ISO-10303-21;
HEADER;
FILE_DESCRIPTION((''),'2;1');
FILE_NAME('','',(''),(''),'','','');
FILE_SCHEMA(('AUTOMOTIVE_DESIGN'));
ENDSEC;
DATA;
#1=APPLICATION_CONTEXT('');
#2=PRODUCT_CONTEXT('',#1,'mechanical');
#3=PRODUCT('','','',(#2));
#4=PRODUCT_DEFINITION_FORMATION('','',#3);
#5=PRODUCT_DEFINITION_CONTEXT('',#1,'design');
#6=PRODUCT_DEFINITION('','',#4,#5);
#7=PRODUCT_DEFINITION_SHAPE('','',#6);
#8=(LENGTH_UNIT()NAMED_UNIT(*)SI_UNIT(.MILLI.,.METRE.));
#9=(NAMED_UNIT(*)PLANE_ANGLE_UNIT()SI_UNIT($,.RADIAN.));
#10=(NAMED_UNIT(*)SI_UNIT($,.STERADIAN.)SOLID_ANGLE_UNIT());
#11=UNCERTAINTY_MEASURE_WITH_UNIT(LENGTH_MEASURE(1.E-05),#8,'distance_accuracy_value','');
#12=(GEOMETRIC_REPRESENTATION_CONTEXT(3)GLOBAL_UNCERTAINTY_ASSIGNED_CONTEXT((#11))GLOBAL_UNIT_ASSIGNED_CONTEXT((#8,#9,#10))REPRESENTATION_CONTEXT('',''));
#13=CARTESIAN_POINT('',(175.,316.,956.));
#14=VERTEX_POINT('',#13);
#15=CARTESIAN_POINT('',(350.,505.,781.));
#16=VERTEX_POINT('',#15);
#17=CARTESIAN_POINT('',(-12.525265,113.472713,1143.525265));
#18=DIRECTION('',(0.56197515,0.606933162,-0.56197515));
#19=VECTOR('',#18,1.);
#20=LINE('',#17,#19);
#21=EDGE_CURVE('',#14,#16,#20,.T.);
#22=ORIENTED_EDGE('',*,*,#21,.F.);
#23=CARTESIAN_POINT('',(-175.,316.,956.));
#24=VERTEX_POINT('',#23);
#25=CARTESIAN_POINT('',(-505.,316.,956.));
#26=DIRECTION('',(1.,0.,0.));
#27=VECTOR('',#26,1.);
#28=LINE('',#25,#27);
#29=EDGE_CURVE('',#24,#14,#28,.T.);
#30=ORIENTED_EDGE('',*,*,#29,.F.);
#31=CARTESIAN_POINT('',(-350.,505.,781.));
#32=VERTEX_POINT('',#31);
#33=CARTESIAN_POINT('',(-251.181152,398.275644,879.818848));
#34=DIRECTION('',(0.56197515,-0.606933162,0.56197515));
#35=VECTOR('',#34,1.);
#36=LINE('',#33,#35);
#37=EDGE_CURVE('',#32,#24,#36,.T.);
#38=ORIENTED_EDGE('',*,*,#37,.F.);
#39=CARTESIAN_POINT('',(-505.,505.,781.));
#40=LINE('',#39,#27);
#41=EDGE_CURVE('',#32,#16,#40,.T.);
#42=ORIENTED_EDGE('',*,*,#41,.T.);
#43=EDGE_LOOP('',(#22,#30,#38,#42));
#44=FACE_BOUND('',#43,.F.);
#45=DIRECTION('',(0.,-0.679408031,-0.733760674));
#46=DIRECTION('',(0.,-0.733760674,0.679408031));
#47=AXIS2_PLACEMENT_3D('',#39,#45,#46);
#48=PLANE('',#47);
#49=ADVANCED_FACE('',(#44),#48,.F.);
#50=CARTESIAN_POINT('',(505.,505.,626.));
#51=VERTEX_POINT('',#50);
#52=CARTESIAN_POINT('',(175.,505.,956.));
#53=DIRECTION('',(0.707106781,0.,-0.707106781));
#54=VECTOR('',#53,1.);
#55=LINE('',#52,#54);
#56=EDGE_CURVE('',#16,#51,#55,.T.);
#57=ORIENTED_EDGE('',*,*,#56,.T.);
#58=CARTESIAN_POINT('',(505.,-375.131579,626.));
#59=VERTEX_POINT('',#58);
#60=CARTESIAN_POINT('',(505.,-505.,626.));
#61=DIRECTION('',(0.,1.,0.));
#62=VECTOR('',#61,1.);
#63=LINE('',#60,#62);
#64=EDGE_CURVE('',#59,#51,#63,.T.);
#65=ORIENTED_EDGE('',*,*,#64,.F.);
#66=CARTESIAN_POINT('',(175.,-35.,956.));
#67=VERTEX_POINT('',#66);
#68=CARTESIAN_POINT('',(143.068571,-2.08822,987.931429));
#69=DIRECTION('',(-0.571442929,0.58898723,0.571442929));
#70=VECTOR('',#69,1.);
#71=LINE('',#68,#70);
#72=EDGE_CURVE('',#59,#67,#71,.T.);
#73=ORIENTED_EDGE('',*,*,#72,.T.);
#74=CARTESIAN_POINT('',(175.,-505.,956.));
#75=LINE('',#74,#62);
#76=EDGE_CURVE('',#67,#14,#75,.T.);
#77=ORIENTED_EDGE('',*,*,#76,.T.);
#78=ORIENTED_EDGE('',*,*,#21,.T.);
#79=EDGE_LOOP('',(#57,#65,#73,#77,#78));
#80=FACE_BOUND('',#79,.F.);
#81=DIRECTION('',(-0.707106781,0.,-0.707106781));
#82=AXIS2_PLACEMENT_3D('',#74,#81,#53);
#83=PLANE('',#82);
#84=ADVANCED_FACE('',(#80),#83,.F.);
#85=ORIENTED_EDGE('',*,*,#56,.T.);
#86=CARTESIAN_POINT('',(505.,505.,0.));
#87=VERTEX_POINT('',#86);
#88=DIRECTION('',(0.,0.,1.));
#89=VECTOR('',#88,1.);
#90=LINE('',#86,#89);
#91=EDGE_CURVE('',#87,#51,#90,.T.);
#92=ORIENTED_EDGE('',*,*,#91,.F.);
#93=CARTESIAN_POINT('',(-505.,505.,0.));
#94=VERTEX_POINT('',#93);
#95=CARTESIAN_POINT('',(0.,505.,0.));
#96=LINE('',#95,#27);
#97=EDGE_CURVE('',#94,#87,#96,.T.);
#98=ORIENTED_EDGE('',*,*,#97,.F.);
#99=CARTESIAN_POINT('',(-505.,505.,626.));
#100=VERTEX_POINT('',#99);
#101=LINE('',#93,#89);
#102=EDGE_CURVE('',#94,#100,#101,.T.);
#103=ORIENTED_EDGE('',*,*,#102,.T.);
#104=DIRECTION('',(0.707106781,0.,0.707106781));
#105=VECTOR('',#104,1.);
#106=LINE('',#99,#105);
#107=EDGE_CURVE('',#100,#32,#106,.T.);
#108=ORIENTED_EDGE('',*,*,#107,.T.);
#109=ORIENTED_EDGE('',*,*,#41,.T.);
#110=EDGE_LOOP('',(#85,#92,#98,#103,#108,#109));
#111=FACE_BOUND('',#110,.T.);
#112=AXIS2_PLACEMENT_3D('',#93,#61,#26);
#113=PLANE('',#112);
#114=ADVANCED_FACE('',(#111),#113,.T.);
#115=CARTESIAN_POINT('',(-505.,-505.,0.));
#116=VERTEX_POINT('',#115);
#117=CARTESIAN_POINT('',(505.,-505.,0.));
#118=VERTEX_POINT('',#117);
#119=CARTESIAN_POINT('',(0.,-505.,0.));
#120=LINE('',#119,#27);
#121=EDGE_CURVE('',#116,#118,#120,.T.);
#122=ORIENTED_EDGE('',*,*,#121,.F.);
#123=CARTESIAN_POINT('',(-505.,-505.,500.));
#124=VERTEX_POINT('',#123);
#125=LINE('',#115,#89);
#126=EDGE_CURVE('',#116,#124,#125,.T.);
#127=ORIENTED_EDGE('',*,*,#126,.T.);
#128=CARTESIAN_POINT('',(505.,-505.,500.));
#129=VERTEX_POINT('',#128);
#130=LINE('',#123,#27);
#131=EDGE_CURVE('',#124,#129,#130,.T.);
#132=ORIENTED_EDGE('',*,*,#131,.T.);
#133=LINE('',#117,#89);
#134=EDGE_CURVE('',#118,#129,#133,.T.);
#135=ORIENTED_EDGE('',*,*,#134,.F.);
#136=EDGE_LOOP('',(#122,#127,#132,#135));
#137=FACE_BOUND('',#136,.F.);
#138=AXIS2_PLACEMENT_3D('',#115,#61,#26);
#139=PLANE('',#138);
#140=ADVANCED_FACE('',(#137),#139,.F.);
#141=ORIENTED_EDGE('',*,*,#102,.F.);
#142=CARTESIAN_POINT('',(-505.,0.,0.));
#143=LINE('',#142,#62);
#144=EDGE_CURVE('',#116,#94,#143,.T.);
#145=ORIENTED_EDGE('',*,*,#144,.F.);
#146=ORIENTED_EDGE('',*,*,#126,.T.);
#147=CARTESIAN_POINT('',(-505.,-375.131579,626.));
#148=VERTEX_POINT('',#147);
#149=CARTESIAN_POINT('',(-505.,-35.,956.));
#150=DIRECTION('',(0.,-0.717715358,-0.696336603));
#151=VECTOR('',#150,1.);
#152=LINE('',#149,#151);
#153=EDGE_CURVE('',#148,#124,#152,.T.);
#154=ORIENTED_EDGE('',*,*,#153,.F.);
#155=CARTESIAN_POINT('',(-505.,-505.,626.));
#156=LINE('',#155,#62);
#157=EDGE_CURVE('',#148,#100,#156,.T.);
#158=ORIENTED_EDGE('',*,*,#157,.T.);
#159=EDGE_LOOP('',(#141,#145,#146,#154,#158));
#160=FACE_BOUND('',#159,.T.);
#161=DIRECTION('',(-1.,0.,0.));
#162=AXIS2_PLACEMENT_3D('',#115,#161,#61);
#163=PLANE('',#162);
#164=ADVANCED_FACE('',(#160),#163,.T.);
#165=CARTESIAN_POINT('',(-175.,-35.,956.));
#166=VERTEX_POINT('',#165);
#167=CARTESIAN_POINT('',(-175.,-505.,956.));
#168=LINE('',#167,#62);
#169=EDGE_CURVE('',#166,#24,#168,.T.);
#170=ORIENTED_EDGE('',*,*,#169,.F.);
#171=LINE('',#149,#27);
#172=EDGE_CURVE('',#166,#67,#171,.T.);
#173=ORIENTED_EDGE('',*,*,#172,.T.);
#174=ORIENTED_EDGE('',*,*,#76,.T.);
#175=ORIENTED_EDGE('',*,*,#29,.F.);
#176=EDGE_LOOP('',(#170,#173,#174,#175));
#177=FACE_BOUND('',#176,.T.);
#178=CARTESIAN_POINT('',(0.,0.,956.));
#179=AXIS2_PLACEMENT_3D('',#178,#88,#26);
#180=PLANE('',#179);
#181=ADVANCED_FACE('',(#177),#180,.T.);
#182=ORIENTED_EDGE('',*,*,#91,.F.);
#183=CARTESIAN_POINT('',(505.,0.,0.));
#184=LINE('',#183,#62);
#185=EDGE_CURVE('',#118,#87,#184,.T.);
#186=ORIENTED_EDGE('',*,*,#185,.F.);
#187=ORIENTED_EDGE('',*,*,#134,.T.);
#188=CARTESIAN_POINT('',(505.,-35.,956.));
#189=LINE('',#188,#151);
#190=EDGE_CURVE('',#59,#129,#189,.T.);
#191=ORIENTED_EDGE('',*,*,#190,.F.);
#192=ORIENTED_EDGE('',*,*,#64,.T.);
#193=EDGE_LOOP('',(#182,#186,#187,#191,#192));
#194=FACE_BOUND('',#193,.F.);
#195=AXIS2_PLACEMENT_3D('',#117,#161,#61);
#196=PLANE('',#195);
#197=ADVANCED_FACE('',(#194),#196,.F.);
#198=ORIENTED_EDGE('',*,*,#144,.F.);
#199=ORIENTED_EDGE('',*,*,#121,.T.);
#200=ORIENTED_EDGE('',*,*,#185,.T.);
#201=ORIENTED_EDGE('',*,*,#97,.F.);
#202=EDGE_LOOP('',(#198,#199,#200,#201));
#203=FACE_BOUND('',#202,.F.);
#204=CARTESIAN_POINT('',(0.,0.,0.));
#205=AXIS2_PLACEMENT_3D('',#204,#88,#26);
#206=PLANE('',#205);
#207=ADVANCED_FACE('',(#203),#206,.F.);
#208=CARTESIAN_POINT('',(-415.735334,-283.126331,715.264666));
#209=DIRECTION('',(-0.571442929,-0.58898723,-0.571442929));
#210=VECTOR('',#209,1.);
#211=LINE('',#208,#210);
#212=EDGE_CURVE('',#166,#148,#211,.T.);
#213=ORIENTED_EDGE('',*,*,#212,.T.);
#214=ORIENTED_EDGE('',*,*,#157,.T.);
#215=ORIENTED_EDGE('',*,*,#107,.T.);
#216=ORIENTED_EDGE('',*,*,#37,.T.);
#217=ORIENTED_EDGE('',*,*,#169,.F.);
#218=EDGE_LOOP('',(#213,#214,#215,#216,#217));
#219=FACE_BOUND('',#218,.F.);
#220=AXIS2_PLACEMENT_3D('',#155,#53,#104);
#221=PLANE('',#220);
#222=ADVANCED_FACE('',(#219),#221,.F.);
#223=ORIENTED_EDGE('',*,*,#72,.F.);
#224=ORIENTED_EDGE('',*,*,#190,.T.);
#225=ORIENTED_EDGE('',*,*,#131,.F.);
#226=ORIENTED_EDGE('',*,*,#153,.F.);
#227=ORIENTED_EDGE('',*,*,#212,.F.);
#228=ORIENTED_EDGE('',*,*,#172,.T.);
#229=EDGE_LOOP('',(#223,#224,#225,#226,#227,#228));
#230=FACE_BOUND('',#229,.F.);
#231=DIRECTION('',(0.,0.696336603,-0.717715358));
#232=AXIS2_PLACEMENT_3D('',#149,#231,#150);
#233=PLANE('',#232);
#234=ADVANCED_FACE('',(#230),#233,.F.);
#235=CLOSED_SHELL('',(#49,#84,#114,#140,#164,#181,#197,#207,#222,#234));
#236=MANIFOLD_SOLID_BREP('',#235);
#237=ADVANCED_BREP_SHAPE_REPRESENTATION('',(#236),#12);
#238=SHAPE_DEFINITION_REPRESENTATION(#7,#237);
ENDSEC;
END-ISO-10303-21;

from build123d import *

# Parameters (mm, degrees)
F0_W     = 1010
F0_H     = 1010
F1_DEPTH = 956
F3_DEPTH = 1010
F4_DEPTH = 1010
F6_DEPTH = 1010


with BuildPart() as f1:
    # F0 (on Top) → F1 (new body)
    with BuildSketch(Plane.XY):
        Rectangle(F0_W, F0_H)
    extrude(amount=F1_DEPTH)

    # F2 (on face) → F3 (cut)
    with BuildSketch(Plane(origin=(-505, 0, 0), x_dir=(0, -1, 0), z_dir=(-1, 0, 0))):
        Polygon((-505, 956), (-505, 781), (-316, 956), align=None)
    extrude(amount=-F3_DEPTH, mode=Mode.SUBTRACT)

    # F2 (on face) → F4 (cut)
    with BuildSketch(Plane(origin=(-505, 0, 0), x_dir=(0, -1, 0), z_dir=(-1, 0, 0))):
        Polygon((505, 956), (35, 956), (505, 500), align=None)
    extrude(amount=-F4_DEPTH, mode=Mode.SUBTRACT)

    # F5 (on face) → F6 (cut)
    with BuildSketch(Plane.XZ.offset(505)):
        Polygon((-505, 626), (-175, 956), (-505, 956), align=None)
        Polygon((505, 626), (505, 956), (175, 956), align=None)
    extrude(amount=-F6_DEPTH, mode=Mode.SUBTRACT)


solid = f1.part
